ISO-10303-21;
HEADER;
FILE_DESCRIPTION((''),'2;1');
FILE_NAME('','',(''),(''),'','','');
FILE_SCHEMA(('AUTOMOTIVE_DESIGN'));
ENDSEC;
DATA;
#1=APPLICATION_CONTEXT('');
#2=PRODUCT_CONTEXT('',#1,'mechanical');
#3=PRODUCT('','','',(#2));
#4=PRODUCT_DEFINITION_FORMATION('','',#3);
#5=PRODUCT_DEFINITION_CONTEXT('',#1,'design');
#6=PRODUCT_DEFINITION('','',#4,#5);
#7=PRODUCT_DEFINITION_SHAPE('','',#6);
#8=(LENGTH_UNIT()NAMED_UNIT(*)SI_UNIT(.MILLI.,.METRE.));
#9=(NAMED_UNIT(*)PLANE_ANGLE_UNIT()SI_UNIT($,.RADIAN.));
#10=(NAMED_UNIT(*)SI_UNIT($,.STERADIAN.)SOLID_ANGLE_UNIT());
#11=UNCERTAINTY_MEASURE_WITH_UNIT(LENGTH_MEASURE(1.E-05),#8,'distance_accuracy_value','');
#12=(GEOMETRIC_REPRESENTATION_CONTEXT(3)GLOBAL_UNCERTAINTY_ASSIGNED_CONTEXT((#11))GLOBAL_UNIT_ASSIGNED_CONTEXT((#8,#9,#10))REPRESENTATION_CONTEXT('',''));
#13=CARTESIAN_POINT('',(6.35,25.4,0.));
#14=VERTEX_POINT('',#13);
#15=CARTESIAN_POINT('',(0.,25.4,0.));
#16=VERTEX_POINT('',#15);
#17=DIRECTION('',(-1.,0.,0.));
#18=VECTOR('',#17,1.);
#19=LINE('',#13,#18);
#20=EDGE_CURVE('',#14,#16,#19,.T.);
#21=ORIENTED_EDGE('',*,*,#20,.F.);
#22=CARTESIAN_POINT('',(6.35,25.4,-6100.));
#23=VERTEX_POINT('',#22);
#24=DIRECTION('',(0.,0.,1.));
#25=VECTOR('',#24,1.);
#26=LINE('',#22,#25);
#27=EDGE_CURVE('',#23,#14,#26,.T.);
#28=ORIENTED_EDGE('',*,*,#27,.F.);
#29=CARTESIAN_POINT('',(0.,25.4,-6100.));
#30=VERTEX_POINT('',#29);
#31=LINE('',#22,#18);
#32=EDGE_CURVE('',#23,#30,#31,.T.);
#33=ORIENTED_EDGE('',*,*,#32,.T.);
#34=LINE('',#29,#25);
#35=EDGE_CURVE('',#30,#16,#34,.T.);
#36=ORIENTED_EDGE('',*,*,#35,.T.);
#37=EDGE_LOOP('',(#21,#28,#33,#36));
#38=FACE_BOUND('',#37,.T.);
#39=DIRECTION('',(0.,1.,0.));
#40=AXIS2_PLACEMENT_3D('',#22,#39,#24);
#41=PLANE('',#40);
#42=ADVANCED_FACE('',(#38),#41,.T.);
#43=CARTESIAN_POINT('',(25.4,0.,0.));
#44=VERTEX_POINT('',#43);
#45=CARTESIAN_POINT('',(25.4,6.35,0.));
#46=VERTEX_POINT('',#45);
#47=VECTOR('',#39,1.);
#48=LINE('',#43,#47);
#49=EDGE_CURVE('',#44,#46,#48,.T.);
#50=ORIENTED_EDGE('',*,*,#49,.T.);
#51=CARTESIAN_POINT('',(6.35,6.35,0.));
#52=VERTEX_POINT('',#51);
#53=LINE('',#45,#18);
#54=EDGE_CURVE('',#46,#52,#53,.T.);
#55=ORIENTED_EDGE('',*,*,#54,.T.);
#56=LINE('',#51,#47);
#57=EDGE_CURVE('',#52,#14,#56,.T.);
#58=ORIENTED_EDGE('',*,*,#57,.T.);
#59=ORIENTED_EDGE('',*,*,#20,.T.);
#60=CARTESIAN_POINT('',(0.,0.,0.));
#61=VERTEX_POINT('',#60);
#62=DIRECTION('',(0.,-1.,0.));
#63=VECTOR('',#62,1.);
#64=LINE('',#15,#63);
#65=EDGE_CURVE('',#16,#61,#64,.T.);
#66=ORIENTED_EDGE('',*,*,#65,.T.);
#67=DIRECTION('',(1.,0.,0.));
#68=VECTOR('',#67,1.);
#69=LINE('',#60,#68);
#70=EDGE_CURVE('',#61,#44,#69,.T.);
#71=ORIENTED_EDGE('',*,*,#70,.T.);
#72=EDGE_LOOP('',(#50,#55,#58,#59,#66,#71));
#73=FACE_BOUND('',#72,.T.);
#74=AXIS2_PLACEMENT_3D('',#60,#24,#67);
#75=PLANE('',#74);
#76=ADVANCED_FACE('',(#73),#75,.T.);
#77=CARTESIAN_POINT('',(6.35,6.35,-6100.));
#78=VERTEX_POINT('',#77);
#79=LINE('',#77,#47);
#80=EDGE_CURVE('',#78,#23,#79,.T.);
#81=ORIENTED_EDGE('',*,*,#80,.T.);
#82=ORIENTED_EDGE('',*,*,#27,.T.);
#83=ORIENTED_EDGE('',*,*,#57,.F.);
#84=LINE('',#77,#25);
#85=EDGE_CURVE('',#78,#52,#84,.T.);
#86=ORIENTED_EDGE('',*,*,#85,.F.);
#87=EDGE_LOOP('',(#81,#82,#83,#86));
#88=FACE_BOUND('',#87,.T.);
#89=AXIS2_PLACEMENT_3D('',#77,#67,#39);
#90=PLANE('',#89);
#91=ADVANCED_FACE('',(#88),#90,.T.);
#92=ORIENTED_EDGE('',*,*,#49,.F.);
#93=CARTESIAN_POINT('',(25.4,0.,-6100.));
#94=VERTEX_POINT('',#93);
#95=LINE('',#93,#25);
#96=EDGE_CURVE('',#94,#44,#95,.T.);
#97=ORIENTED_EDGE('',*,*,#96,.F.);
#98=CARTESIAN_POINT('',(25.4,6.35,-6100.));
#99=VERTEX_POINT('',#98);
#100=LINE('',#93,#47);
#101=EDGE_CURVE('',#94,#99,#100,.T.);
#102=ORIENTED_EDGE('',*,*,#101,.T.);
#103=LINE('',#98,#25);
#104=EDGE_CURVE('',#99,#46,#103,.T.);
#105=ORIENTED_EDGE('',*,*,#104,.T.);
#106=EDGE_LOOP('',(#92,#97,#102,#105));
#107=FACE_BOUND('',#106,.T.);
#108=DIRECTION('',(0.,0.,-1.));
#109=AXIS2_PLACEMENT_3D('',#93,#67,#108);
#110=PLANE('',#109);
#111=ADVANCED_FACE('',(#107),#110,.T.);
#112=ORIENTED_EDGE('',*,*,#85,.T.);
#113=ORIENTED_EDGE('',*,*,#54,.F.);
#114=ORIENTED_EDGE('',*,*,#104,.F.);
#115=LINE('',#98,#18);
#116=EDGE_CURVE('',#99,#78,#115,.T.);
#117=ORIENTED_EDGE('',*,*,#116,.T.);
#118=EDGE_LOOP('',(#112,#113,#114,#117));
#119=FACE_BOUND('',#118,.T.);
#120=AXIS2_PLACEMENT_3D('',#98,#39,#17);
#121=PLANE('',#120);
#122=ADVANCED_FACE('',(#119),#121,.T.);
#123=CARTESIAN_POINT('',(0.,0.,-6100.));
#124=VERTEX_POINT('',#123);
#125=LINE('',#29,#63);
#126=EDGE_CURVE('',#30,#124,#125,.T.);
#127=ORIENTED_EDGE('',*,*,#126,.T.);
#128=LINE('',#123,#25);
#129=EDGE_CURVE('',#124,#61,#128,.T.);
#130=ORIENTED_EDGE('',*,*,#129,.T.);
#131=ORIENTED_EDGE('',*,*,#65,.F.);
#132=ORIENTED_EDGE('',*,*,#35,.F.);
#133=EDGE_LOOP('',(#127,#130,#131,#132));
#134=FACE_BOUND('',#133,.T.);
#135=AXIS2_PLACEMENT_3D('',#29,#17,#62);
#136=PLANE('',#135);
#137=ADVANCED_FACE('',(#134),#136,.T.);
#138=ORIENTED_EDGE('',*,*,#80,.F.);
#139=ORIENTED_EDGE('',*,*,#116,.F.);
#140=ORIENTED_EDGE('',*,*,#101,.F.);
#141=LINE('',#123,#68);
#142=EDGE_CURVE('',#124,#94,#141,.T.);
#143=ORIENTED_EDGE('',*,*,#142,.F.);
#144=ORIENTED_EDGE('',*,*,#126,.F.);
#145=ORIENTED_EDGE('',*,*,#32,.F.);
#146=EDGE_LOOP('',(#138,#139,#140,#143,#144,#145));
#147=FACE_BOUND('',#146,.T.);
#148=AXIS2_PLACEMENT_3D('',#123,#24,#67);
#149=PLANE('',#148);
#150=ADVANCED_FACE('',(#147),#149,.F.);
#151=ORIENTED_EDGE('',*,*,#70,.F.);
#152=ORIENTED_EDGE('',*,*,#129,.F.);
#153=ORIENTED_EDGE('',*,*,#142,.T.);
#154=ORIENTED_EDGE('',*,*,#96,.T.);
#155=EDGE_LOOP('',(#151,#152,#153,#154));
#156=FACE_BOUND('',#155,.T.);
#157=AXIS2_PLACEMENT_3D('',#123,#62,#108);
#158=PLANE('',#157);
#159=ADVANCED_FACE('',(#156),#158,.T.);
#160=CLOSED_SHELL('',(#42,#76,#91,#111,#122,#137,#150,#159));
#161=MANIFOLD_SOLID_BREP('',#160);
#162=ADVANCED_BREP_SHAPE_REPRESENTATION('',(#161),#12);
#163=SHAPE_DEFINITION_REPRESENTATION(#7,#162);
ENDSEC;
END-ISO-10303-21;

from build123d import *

# Parameters (mm, degrees)
SALIENTE_EXTRUIR1_DEPTH = 6100


with BuildPart() as part:
    # Croquis1 → Saliente-Extruir1 (new body)
    with BuildSketch(Plane.XY):
        Polygon((0, 25.4), (0, 0), (25.4, 0), (25.4, 6.35), (6.35, 6.35), (6.35, 25.4), align=None)
    extrude(amount=-SALIENTE_EXTRUIR1_DEPTH)


solid = part.part
